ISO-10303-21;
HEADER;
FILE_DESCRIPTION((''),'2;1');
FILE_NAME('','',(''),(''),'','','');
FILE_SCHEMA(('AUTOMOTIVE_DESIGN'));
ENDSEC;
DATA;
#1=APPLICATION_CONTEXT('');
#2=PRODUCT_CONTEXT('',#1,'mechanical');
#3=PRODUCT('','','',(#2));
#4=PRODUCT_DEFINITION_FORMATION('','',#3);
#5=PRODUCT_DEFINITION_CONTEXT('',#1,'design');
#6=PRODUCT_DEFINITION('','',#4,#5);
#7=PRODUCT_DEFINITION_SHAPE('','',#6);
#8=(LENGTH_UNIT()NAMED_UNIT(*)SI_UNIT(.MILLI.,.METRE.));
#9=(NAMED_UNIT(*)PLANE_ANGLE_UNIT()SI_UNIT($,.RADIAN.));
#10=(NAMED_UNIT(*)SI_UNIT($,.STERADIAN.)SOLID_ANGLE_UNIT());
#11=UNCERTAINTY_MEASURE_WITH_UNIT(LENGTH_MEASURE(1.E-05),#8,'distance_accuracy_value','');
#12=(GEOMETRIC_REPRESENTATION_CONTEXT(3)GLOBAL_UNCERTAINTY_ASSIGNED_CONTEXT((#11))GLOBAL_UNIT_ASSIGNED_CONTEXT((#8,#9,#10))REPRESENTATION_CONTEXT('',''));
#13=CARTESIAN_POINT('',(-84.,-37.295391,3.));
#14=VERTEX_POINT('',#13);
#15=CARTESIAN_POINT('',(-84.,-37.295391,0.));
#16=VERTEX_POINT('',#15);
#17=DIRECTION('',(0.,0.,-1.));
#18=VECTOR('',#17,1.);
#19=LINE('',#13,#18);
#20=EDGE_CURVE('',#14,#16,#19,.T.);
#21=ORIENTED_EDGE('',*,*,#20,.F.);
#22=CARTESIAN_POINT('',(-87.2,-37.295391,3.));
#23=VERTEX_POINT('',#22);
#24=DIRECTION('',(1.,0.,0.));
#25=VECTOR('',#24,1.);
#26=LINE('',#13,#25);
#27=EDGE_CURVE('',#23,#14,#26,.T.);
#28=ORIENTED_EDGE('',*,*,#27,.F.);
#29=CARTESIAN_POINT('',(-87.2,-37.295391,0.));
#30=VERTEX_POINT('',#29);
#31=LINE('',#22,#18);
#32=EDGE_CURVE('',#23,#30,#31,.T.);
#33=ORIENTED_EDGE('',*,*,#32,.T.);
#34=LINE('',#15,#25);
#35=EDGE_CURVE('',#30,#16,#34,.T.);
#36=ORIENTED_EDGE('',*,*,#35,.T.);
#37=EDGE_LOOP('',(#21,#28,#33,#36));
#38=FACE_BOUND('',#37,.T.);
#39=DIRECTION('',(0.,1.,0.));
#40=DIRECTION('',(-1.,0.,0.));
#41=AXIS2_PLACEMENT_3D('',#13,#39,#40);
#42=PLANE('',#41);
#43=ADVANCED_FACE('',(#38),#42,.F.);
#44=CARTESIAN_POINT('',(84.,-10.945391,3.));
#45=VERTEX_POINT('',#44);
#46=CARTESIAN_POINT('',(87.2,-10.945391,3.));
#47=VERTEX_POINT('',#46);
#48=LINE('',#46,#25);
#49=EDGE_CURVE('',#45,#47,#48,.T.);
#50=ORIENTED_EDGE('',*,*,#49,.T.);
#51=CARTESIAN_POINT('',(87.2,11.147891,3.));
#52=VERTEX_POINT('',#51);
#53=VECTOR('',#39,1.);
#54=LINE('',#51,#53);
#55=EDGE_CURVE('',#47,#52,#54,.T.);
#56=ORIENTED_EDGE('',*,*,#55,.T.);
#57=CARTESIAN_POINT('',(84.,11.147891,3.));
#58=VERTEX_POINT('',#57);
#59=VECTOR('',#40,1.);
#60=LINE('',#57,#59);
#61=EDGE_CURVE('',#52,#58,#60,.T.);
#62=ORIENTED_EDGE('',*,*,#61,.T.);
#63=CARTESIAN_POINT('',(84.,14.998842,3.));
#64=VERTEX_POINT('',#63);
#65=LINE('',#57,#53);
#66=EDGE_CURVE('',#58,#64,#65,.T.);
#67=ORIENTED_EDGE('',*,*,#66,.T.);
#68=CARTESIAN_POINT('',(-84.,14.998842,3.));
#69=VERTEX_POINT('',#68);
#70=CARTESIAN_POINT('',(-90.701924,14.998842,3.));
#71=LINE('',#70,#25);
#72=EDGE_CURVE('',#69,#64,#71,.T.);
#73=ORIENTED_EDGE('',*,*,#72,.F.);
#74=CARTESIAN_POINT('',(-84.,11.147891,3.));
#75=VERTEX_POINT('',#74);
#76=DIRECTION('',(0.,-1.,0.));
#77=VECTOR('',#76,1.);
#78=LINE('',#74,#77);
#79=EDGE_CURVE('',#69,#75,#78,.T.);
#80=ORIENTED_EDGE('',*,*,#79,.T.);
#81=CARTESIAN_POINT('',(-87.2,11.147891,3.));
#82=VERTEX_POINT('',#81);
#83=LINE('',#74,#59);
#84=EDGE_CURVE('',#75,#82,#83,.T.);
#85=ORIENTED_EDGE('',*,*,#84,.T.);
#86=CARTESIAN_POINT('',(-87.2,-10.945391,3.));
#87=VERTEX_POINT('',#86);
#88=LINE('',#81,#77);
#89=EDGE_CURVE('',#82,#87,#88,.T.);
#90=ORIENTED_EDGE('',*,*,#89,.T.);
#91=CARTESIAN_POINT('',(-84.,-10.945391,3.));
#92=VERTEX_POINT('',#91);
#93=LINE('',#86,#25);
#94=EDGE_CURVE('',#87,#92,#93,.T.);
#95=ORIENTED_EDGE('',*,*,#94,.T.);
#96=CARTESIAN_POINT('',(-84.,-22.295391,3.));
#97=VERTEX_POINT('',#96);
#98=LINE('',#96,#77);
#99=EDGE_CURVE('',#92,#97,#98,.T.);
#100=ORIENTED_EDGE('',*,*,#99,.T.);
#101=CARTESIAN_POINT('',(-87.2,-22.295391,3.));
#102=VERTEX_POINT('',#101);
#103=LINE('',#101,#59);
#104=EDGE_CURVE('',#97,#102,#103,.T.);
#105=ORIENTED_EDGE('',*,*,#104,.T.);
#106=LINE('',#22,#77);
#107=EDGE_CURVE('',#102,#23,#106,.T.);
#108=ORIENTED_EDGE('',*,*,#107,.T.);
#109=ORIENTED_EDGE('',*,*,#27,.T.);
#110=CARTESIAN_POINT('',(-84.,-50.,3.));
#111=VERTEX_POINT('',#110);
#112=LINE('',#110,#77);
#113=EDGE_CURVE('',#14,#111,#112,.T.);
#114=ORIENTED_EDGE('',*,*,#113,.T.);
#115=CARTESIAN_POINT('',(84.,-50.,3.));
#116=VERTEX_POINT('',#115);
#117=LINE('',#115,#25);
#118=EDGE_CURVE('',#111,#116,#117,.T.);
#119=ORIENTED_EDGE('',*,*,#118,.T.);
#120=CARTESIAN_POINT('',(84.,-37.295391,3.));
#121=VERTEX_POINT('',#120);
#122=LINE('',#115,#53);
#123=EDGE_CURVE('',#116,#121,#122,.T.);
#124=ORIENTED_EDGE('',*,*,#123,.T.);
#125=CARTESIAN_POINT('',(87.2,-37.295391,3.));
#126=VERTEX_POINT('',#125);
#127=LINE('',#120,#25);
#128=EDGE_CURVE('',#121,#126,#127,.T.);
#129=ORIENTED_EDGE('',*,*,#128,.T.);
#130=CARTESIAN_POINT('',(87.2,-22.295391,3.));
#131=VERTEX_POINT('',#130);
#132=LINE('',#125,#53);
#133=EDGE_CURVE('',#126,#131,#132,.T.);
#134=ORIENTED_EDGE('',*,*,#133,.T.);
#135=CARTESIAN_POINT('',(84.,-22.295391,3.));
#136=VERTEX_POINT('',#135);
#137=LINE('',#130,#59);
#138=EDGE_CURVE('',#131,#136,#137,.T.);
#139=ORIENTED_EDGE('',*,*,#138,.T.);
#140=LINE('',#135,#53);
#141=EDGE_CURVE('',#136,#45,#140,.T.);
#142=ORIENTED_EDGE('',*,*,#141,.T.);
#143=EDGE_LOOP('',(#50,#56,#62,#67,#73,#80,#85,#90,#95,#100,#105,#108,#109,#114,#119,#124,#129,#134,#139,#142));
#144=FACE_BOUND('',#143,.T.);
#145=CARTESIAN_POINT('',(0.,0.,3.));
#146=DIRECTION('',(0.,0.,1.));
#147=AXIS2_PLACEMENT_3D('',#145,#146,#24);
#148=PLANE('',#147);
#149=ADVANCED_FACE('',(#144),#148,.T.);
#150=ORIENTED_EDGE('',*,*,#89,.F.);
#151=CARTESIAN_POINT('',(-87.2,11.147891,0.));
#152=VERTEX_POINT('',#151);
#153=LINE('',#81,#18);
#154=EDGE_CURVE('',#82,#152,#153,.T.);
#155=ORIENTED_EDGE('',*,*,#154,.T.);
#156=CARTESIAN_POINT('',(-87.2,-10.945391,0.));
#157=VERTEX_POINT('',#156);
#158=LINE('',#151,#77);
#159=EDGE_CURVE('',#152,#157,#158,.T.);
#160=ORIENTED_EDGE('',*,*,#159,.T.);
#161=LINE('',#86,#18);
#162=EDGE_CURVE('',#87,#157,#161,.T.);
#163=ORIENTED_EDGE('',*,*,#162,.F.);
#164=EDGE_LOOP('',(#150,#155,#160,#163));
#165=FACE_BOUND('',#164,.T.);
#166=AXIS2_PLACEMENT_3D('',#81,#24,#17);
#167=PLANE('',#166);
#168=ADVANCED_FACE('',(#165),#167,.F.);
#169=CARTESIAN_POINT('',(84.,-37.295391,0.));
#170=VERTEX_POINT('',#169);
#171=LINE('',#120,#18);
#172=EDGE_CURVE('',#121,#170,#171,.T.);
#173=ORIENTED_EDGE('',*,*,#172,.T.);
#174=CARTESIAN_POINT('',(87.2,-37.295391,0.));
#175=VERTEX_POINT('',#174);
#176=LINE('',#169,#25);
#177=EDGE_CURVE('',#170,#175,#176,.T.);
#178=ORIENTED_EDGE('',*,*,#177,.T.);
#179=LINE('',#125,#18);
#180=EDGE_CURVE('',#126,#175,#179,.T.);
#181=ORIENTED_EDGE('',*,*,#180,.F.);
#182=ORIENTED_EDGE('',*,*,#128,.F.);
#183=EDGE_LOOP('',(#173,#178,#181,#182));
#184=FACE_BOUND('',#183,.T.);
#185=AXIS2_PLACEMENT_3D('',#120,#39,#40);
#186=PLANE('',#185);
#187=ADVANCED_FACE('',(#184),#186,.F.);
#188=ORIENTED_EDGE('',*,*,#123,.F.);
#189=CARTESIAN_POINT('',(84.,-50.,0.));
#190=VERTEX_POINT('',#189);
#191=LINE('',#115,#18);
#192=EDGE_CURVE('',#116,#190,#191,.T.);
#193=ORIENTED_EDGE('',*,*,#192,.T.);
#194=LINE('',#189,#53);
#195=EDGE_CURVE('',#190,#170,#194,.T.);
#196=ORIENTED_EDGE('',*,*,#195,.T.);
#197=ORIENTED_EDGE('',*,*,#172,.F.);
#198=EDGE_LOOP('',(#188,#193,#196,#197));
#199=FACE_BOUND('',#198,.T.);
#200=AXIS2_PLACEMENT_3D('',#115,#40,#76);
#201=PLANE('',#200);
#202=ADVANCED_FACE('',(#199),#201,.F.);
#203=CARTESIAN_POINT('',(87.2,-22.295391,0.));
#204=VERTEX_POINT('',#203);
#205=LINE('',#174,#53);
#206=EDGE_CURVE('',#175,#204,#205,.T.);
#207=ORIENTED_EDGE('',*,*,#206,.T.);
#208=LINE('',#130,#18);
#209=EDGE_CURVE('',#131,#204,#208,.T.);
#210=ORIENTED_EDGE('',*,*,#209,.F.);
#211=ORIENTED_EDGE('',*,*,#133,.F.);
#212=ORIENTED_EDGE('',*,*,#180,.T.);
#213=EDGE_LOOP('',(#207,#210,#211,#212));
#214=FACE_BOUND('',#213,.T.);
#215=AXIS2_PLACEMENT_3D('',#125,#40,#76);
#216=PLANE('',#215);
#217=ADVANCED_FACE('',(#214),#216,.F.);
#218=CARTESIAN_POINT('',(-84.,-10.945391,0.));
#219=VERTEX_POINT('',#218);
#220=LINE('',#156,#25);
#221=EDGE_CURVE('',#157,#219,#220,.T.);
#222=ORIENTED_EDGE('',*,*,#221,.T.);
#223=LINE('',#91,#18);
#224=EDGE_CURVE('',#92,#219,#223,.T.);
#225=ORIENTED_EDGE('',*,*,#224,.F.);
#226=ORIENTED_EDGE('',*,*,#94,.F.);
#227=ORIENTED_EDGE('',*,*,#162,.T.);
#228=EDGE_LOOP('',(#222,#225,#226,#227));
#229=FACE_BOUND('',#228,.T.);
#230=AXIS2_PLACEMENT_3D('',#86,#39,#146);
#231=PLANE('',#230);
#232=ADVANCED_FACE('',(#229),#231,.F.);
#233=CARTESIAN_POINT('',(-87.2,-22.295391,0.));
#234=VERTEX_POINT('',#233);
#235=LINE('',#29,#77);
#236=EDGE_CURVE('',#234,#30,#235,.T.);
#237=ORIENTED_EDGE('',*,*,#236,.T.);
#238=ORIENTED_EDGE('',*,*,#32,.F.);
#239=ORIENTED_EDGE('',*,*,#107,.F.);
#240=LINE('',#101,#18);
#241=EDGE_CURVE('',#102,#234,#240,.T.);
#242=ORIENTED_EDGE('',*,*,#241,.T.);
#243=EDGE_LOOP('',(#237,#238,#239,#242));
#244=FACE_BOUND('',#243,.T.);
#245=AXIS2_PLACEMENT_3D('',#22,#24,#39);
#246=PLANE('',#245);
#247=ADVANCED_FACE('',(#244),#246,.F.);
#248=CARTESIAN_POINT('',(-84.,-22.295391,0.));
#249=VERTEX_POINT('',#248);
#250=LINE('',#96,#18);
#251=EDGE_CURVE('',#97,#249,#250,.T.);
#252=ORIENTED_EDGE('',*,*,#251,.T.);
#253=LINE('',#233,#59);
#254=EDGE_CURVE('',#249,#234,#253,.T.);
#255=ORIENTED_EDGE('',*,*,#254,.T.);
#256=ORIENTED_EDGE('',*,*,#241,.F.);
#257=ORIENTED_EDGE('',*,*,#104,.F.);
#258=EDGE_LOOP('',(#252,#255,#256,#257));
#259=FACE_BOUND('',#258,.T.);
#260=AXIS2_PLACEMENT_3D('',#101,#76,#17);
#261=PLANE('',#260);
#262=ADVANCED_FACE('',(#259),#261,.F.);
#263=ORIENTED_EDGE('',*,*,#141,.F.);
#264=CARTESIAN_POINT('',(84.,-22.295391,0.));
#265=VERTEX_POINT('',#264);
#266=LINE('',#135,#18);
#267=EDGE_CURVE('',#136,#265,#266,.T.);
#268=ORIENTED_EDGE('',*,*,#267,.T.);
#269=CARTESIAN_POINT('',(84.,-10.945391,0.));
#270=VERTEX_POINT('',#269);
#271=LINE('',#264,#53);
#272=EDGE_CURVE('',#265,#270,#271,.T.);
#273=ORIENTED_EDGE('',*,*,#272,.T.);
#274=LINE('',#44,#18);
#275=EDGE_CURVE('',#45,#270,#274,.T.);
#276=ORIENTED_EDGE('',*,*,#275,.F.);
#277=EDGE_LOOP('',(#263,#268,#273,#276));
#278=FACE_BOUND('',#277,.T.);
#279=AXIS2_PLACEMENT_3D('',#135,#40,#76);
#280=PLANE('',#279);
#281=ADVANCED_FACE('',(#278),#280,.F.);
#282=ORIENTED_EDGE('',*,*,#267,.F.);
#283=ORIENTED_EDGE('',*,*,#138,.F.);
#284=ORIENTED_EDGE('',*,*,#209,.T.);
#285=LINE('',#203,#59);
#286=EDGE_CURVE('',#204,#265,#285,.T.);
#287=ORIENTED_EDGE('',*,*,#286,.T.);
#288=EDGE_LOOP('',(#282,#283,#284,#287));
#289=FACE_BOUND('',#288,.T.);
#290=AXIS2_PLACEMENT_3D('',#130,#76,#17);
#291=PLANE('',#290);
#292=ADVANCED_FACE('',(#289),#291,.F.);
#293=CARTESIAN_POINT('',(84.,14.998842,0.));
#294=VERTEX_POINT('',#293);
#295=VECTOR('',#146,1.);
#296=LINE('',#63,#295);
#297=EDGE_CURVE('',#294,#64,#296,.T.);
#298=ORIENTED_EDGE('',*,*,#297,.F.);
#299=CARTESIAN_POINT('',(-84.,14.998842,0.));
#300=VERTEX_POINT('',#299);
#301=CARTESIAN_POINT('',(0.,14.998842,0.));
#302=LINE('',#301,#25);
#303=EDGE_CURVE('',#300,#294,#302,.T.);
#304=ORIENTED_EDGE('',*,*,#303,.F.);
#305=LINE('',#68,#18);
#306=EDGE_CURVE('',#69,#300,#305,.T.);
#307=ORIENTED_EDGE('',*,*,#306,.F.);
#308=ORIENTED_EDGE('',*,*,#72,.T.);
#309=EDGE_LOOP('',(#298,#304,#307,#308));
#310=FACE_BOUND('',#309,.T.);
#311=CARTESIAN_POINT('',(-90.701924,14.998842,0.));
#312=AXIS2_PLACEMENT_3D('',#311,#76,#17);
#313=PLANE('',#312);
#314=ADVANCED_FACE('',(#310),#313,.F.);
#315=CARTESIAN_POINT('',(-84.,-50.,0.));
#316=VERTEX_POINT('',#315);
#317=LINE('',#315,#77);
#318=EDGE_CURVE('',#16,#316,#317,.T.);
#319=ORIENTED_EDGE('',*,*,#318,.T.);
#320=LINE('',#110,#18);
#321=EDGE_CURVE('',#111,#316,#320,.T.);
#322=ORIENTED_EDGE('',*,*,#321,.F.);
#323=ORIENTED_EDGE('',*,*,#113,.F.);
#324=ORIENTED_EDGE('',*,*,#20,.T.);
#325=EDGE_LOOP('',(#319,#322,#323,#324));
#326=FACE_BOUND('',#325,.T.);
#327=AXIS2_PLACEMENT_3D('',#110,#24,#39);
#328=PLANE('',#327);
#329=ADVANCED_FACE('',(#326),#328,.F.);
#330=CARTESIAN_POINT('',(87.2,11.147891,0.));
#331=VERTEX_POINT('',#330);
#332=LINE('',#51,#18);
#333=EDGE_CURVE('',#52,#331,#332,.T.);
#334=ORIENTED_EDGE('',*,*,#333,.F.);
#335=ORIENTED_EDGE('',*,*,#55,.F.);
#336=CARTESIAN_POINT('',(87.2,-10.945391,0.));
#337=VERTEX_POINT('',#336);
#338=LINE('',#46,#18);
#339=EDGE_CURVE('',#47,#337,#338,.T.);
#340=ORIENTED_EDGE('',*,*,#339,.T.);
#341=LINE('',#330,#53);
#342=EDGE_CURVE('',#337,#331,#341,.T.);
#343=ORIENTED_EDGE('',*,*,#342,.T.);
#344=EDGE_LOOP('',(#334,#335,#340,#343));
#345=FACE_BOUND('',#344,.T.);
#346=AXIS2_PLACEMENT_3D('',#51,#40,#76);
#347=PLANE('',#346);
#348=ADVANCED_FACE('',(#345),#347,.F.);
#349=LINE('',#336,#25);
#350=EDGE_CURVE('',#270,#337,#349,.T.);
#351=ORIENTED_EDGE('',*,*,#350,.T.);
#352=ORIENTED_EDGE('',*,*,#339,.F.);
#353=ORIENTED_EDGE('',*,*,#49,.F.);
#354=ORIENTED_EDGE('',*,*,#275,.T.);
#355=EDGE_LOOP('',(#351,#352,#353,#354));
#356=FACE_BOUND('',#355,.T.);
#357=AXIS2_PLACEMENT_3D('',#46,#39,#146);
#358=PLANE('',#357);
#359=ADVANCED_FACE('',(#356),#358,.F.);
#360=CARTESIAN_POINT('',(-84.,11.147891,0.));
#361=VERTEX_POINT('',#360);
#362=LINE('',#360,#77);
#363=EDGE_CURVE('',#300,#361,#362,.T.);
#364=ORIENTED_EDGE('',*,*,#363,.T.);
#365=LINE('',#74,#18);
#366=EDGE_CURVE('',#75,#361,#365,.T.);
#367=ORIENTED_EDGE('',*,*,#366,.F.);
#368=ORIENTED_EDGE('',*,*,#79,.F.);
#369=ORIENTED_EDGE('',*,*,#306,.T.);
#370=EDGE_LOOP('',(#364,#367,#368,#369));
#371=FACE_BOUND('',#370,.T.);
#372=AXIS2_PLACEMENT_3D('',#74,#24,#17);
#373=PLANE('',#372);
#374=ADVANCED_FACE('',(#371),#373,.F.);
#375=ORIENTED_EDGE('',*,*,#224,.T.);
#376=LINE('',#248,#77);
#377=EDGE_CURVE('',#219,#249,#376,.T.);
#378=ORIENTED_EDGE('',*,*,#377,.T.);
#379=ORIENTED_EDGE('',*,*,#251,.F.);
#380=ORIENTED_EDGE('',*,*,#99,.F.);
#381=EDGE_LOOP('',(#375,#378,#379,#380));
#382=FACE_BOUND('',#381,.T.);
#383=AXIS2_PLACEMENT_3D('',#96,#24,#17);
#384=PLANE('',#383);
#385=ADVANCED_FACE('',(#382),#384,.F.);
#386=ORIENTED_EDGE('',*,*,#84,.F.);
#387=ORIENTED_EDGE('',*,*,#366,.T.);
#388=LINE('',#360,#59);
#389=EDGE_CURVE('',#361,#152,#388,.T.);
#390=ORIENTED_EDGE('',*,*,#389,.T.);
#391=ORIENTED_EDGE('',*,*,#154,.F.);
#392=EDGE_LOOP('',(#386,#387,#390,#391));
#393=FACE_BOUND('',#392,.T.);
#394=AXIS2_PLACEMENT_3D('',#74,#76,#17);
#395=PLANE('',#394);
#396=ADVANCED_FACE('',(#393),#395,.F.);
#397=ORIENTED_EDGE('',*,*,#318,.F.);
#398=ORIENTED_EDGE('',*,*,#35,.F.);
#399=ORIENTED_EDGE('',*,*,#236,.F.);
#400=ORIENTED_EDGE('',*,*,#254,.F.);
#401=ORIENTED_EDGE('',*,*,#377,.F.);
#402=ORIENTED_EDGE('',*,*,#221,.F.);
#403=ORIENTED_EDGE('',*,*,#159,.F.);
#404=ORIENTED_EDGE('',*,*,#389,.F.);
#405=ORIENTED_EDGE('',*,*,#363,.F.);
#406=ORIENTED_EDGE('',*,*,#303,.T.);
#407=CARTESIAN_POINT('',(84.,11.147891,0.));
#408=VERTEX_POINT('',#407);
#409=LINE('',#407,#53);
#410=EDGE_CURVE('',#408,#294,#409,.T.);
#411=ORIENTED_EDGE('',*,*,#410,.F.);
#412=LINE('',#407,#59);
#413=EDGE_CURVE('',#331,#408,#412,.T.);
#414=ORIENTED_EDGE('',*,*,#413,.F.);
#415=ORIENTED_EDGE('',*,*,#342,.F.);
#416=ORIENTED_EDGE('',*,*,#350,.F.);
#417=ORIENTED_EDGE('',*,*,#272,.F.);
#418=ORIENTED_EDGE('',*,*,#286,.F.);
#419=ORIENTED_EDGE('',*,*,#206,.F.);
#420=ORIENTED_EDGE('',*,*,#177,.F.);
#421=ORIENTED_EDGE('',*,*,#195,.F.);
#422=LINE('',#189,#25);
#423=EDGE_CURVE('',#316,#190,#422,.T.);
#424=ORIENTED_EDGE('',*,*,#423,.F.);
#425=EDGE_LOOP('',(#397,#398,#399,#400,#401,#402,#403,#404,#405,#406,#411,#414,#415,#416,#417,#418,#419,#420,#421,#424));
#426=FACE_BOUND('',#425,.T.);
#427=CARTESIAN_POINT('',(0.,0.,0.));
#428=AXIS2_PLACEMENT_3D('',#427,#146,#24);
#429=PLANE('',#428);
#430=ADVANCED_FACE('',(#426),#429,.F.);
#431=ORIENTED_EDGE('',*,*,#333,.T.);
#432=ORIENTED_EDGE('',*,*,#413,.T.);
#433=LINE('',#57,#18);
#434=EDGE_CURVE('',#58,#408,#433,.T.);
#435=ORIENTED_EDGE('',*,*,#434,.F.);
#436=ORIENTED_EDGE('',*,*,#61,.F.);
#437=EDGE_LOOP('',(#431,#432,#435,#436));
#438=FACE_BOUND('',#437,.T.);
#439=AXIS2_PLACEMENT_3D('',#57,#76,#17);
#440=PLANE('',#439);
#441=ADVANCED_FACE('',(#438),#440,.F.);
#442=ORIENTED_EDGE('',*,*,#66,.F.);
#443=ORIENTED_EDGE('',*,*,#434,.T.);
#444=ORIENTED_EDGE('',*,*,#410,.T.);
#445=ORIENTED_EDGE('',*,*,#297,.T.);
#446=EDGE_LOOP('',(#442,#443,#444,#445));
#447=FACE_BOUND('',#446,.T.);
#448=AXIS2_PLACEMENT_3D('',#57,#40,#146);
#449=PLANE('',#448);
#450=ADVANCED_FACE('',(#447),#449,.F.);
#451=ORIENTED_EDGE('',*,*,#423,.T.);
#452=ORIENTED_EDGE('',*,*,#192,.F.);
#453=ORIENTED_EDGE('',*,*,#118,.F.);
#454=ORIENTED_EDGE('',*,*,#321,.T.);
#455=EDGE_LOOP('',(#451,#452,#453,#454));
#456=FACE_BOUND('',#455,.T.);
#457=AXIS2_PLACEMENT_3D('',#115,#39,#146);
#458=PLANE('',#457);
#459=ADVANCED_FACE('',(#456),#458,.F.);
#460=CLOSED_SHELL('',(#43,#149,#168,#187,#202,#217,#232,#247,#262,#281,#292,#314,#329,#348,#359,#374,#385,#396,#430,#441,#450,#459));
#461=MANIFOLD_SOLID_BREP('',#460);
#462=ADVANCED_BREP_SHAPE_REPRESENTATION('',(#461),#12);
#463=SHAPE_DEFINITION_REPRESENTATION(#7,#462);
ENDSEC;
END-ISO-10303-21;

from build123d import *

# Parameters (mm, degrees)
SALIENTE_EXTRUIR1_DEPTH = 3
CROQUIS2_W              = 199.8453191
CROQUIS2_H              = 35.001157583
CORTAR_EXTRUIR1_DEPTH   = 4


with BuildPart() as part:
    # Croquis1 → Saliente-Extruir1 (new body)
    with BuildSketch(Plane.XY):
        Polygon((-84, 37.295390898), (-87.2, 37.295390898), (-87.2, 22.295390898), (-84, 22.295390898), (-84, 11.147890898), (-87.2, 11.147890898), (-87.2, -10.945390898), (-84, -10.945390898), (-84, -22.295390898), (-87.2, -22.295390898), (-87.2, -37.295390898), (-84, -37.295390898), (-84, -50), (84, -50), (84, -37.295390898), (87.2, -37.295390898), (87.2, -22.295390898), (84, -22.295390898), (84, -10.945390898), (87.2, -10.945390898), (87.2, 11.147890898), (84, 11.147890898), (84, 22.295390898), (87.2, 22.295390898), (87.2, 37.295390898), (84, 37.295390898), (84, 50), (-84, 50), align=None)
    extrude(amount=SALIENTE_EXTRUIR1_DEPTH)

    # Croquis2 → Cortar-Extruir1 (cut, through all)
    with BuildSketch(Plane.XY.offset(3)):
        with Locations((9.220735062, 32.499421209)):
            Rectangle(CROQUIS2_W, CROQUIS2_H)
    extrude(amount=-CORTAR_EXTRUIR1_DEPTH, mode=Mode.SUBTRACT)


solid = part.part
